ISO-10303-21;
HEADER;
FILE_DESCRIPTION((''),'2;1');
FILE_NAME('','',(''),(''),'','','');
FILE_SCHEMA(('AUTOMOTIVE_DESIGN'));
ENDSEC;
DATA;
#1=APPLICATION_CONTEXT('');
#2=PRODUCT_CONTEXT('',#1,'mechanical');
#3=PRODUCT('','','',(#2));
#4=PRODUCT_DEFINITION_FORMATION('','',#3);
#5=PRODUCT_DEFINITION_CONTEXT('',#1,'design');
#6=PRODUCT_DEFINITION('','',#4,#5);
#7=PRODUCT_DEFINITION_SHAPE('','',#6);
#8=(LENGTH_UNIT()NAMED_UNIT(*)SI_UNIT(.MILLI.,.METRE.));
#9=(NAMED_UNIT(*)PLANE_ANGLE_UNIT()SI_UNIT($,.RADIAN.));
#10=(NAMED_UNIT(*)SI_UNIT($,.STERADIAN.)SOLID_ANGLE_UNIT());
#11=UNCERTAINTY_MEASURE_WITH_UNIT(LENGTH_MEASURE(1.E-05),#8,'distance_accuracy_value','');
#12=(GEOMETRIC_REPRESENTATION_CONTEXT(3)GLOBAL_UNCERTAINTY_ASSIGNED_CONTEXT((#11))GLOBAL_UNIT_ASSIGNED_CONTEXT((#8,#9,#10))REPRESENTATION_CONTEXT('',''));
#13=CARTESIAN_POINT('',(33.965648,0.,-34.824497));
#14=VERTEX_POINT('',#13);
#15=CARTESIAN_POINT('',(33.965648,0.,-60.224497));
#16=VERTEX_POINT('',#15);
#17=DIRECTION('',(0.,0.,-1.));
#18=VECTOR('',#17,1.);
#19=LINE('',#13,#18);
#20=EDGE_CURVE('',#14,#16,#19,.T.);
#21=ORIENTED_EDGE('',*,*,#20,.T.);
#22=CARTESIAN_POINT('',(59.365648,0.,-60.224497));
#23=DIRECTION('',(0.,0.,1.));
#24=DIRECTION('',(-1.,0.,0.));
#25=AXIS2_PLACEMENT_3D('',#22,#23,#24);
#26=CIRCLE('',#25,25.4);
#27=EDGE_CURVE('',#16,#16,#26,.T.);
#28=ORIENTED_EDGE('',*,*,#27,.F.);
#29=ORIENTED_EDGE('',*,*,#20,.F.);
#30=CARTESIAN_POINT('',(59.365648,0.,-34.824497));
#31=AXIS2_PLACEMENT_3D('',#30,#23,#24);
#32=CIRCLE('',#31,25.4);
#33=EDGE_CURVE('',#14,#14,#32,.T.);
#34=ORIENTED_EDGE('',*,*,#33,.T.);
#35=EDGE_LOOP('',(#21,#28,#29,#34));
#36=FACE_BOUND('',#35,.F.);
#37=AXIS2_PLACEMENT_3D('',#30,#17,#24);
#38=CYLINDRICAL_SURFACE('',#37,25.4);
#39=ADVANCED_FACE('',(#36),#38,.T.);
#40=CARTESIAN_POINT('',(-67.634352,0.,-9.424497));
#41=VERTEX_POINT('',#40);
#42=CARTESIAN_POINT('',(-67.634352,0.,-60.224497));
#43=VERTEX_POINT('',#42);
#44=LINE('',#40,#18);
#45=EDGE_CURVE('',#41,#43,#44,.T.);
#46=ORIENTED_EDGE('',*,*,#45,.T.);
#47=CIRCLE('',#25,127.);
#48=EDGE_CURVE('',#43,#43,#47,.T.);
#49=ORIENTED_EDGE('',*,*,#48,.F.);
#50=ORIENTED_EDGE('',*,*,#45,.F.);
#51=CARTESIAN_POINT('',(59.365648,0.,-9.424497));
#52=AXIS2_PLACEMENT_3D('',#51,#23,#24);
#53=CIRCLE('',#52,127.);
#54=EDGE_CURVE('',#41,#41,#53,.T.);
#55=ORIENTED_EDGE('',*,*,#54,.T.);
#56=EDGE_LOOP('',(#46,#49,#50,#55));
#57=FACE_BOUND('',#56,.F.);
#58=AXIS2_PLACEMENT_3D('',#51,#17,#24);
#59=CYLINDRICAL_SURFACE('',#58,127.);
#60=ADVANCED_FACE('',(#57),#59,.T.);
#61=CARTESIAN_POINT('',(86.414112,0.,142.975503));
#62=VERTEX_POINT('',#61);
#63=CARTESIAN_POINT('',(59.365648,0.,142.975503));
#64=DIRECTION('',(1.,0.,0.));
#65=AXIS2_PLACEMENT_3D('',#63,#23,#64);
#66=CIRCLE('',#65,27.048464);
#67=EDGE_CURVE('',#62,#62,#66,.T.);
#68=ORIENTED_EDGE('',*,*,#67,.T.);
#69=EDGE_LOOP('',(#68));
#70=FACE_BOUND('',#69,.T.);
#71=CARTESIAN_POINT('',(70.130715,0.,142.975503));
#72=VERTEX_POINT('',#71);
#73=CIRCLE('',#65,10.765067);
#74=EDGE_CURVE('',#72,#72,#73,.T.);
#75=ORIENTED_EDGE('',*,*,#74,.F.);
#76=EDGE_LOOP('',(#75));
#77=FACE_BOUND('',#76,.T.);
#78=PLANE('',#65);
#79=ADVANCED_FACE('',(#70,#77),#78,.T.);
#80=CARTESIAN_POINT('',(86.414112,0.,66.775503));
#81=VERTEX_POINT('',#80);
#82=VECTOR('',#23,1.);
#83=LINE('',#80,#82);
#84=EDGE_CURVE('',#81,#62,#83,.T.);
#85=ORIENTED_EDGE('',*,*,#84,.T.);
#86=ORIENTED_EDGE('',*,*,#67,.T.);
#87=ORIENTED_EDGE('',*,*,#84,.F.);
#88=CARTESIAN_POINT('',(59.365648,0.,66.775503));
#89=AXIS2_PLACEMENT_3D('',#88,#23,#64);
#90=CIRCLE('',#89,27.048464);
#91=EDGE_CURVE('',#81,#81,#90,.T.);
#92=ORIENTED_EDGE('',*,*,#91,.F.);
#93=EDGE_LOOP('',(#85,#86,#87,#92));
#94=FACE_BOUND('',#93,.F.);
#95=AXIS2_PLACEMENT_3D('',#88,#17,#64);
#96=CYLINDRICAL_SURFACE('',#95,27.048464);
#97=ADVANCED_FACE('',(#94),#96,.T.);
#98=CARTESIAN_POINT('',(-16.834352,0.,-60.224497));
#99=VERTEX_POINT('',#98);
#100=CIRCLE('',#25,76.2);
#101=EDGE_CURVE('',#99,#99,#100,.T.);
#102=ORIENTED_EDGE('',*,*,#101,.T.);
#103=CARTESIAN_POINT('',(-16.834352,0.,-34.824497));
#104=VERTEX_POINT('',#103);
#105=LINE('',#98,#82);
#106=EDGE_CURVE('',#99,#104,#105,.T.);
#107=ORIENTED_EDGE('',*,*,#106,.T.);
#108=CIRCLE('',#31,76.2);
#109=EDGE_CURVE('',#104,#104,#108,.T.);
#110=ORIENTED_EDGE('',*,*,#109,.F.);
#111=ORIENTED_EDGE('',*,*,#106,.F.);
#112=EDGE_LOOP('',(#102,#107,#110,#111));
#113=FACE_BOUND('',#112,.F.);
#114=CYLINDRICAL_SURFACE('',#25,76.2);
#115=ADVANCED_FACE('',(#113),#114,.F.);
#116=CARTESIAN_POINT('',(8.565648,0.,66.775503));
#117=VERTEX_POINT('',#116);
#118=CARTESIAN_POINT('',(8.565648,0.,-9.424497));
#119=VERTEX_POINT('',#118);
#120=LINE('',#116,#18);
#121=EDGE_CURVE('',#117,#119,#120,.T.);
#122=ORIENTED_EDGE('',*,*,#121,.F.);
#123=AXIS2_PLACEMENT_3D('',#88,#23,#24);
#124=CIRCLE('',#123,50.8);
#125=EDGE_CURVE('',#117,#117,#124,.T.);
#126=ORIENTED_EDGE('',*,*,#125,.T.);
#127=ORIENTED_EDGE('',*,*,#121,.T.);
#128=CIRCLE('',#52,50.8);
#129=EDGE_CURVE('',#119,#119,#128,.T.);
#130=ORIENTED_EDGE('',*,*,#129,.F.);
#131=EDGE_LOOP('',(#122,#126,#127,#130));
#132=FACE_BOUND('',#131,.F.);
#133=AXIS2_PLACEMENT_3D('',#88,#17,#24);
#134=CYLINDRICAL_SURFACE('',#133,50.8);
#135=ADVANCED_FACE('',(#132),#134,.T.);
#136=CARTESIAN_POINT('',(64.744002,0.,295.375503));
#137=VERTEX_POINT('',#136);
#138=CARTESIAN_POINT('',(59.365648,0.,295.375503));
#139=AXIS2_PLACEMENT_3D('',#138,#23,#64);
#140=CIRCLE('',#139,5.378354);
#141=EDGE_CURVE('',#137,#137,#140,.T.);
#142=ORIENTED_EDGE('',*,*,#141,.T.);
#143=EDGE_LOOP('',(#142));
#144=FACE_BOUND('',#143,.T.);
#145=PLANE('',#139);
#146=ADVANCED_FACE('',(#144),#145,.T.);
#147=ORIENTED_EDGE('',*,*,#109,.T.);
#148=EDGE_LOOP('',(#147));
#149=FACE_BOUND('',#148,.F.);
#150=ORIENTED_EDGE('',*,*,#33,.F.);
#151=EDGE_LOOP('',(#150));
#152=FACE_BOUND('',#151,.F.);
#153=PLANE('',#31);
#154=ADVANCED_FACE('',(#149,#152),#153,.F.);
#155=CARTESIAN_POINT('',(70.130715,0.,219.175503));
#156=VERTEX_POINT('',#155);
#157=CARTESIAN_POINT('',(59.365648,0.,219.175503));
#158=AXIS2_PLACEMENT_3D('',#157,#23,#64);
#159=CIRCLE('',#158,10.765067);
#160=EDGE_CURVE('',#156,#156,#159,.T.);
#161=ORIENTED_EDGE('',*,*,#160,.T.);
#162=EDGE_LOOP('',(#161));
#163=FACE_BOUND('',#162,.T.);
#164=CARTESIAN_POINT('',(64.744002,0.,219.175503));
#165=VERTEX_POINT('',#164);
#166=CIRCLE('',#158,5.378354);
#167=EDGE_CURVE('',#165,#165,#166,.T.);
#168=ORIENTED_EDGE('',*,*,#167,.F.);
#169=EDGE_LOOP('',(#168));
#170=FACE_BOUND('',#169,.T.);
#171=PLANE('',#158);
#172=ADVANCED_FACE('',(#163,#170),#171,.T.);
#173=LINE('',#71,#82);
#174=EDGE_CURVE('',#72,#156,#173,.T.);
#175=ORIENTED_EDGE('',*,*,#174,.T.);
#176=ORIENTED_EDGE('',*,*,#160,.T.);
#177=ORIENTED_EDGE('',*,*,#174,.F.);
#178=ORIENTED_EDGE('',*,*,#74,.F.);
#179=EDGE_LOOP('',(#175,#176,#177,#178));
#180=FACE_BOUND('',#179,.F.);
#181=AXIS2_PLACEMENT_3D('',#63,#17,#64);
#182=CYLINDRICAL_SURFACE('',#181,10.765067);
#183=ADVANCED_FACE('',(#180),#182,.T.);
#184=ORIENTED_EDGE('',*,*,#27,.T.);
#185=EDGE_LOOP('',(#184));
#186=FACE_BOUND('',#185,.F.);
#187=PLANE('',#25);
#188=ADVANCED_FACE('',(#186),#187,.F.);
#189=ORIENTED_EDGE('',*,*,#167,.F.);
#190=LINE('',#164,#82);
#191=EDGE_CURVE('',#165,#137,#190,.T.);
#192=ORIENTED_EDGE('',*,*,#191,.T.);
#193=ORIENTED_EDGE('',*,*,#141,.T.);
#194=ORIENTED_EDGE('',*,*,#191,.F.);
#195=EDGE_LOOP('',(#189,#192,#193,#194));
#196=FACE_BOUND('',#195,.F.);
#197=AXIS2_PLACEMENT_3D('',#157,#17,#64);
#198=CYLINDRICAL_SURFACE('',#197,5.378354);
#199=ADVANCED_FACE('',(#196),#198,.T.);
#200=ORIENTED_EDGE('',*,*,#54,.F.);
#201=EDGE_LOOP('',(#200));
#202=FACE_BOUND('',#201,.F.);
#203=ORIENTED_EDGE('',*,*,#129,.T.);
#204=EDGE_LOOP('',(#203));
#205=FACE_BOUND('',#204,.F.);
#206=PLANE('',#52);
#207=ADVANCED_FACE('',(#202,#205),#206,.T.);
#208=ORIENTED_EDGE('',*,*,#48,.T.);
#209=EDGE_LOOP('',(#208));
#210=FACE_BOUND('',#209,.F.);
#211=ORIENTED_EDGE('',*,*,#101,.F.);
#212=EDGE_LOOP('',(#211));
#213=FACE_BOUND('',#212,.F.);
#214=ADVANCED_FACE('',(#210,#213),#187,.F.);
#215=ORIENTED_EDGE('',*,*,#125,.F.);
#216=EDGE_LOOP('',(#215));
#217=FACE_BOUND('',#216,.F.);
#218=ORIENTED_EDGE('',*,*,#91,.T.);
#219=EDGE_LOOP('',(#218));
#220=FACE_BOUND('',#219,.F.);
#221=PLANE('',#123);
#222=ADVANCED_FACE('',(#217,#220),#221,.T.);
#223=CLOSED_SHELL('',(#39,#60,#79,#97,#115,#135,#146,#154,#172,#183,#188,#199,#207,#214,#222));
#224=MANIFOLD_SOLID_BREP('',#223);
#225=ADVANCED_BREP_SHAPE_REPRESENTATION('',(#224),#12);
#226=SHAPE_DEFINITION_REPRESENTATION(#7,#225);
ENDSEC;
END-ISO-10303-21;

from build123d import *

# Parameters (mm, degrees)
F2_R     = 27.048464
F3_DEPTH = 76.2
F4_R     = 10.765067
F5_DEPTH = 76.2
F6_R     = 5.378354
F7_DEPTH = 76.2


with BuildPart() as f1:
    # F0 (on Front) → F1 (revolve)
    with BuildSketch(Plane.XZ):
        Polygon((8.565648, -9.424497), (-67.634352, -9.424497), (-67.634352, -60.224497), (-16.834352, -60.224497), (-16.834352, -34.824497), (33.965648, -34.824497), (33.965648, -60.224497), (59.365648, -60.224497), (59.365648, 66.775503), (8.565648, 66.775503), align=None)
    revolve(axis=Axis((59.365648, 0, 3.275503), (0, 0, 1)))

    # F2 (on face) → F3 (join)
    with BuildSketch(Plane.XY.offset(66.775503)):
        with Locations((59.365648, 0)):
            Circle(F2_R)
    extrude(amount=F3_DEPTH)

    # F4 (on face) → F5 (join)
    with BuildSketch(Plane.XY.offset(142.975503)):
        with Locations((59.365648, 0)):
            Circle(F4_R)
    extrude(amount=F5_DEPTH)

    # F6 (on face) → F7 (join)
    with BuildSketch(Plane.XY.offset(219.175503)):
        with Locations((59.365648, 0)):
            Circle(F6_R)
    extrude(amount=F7_DEPTH)


solid = f1.part
